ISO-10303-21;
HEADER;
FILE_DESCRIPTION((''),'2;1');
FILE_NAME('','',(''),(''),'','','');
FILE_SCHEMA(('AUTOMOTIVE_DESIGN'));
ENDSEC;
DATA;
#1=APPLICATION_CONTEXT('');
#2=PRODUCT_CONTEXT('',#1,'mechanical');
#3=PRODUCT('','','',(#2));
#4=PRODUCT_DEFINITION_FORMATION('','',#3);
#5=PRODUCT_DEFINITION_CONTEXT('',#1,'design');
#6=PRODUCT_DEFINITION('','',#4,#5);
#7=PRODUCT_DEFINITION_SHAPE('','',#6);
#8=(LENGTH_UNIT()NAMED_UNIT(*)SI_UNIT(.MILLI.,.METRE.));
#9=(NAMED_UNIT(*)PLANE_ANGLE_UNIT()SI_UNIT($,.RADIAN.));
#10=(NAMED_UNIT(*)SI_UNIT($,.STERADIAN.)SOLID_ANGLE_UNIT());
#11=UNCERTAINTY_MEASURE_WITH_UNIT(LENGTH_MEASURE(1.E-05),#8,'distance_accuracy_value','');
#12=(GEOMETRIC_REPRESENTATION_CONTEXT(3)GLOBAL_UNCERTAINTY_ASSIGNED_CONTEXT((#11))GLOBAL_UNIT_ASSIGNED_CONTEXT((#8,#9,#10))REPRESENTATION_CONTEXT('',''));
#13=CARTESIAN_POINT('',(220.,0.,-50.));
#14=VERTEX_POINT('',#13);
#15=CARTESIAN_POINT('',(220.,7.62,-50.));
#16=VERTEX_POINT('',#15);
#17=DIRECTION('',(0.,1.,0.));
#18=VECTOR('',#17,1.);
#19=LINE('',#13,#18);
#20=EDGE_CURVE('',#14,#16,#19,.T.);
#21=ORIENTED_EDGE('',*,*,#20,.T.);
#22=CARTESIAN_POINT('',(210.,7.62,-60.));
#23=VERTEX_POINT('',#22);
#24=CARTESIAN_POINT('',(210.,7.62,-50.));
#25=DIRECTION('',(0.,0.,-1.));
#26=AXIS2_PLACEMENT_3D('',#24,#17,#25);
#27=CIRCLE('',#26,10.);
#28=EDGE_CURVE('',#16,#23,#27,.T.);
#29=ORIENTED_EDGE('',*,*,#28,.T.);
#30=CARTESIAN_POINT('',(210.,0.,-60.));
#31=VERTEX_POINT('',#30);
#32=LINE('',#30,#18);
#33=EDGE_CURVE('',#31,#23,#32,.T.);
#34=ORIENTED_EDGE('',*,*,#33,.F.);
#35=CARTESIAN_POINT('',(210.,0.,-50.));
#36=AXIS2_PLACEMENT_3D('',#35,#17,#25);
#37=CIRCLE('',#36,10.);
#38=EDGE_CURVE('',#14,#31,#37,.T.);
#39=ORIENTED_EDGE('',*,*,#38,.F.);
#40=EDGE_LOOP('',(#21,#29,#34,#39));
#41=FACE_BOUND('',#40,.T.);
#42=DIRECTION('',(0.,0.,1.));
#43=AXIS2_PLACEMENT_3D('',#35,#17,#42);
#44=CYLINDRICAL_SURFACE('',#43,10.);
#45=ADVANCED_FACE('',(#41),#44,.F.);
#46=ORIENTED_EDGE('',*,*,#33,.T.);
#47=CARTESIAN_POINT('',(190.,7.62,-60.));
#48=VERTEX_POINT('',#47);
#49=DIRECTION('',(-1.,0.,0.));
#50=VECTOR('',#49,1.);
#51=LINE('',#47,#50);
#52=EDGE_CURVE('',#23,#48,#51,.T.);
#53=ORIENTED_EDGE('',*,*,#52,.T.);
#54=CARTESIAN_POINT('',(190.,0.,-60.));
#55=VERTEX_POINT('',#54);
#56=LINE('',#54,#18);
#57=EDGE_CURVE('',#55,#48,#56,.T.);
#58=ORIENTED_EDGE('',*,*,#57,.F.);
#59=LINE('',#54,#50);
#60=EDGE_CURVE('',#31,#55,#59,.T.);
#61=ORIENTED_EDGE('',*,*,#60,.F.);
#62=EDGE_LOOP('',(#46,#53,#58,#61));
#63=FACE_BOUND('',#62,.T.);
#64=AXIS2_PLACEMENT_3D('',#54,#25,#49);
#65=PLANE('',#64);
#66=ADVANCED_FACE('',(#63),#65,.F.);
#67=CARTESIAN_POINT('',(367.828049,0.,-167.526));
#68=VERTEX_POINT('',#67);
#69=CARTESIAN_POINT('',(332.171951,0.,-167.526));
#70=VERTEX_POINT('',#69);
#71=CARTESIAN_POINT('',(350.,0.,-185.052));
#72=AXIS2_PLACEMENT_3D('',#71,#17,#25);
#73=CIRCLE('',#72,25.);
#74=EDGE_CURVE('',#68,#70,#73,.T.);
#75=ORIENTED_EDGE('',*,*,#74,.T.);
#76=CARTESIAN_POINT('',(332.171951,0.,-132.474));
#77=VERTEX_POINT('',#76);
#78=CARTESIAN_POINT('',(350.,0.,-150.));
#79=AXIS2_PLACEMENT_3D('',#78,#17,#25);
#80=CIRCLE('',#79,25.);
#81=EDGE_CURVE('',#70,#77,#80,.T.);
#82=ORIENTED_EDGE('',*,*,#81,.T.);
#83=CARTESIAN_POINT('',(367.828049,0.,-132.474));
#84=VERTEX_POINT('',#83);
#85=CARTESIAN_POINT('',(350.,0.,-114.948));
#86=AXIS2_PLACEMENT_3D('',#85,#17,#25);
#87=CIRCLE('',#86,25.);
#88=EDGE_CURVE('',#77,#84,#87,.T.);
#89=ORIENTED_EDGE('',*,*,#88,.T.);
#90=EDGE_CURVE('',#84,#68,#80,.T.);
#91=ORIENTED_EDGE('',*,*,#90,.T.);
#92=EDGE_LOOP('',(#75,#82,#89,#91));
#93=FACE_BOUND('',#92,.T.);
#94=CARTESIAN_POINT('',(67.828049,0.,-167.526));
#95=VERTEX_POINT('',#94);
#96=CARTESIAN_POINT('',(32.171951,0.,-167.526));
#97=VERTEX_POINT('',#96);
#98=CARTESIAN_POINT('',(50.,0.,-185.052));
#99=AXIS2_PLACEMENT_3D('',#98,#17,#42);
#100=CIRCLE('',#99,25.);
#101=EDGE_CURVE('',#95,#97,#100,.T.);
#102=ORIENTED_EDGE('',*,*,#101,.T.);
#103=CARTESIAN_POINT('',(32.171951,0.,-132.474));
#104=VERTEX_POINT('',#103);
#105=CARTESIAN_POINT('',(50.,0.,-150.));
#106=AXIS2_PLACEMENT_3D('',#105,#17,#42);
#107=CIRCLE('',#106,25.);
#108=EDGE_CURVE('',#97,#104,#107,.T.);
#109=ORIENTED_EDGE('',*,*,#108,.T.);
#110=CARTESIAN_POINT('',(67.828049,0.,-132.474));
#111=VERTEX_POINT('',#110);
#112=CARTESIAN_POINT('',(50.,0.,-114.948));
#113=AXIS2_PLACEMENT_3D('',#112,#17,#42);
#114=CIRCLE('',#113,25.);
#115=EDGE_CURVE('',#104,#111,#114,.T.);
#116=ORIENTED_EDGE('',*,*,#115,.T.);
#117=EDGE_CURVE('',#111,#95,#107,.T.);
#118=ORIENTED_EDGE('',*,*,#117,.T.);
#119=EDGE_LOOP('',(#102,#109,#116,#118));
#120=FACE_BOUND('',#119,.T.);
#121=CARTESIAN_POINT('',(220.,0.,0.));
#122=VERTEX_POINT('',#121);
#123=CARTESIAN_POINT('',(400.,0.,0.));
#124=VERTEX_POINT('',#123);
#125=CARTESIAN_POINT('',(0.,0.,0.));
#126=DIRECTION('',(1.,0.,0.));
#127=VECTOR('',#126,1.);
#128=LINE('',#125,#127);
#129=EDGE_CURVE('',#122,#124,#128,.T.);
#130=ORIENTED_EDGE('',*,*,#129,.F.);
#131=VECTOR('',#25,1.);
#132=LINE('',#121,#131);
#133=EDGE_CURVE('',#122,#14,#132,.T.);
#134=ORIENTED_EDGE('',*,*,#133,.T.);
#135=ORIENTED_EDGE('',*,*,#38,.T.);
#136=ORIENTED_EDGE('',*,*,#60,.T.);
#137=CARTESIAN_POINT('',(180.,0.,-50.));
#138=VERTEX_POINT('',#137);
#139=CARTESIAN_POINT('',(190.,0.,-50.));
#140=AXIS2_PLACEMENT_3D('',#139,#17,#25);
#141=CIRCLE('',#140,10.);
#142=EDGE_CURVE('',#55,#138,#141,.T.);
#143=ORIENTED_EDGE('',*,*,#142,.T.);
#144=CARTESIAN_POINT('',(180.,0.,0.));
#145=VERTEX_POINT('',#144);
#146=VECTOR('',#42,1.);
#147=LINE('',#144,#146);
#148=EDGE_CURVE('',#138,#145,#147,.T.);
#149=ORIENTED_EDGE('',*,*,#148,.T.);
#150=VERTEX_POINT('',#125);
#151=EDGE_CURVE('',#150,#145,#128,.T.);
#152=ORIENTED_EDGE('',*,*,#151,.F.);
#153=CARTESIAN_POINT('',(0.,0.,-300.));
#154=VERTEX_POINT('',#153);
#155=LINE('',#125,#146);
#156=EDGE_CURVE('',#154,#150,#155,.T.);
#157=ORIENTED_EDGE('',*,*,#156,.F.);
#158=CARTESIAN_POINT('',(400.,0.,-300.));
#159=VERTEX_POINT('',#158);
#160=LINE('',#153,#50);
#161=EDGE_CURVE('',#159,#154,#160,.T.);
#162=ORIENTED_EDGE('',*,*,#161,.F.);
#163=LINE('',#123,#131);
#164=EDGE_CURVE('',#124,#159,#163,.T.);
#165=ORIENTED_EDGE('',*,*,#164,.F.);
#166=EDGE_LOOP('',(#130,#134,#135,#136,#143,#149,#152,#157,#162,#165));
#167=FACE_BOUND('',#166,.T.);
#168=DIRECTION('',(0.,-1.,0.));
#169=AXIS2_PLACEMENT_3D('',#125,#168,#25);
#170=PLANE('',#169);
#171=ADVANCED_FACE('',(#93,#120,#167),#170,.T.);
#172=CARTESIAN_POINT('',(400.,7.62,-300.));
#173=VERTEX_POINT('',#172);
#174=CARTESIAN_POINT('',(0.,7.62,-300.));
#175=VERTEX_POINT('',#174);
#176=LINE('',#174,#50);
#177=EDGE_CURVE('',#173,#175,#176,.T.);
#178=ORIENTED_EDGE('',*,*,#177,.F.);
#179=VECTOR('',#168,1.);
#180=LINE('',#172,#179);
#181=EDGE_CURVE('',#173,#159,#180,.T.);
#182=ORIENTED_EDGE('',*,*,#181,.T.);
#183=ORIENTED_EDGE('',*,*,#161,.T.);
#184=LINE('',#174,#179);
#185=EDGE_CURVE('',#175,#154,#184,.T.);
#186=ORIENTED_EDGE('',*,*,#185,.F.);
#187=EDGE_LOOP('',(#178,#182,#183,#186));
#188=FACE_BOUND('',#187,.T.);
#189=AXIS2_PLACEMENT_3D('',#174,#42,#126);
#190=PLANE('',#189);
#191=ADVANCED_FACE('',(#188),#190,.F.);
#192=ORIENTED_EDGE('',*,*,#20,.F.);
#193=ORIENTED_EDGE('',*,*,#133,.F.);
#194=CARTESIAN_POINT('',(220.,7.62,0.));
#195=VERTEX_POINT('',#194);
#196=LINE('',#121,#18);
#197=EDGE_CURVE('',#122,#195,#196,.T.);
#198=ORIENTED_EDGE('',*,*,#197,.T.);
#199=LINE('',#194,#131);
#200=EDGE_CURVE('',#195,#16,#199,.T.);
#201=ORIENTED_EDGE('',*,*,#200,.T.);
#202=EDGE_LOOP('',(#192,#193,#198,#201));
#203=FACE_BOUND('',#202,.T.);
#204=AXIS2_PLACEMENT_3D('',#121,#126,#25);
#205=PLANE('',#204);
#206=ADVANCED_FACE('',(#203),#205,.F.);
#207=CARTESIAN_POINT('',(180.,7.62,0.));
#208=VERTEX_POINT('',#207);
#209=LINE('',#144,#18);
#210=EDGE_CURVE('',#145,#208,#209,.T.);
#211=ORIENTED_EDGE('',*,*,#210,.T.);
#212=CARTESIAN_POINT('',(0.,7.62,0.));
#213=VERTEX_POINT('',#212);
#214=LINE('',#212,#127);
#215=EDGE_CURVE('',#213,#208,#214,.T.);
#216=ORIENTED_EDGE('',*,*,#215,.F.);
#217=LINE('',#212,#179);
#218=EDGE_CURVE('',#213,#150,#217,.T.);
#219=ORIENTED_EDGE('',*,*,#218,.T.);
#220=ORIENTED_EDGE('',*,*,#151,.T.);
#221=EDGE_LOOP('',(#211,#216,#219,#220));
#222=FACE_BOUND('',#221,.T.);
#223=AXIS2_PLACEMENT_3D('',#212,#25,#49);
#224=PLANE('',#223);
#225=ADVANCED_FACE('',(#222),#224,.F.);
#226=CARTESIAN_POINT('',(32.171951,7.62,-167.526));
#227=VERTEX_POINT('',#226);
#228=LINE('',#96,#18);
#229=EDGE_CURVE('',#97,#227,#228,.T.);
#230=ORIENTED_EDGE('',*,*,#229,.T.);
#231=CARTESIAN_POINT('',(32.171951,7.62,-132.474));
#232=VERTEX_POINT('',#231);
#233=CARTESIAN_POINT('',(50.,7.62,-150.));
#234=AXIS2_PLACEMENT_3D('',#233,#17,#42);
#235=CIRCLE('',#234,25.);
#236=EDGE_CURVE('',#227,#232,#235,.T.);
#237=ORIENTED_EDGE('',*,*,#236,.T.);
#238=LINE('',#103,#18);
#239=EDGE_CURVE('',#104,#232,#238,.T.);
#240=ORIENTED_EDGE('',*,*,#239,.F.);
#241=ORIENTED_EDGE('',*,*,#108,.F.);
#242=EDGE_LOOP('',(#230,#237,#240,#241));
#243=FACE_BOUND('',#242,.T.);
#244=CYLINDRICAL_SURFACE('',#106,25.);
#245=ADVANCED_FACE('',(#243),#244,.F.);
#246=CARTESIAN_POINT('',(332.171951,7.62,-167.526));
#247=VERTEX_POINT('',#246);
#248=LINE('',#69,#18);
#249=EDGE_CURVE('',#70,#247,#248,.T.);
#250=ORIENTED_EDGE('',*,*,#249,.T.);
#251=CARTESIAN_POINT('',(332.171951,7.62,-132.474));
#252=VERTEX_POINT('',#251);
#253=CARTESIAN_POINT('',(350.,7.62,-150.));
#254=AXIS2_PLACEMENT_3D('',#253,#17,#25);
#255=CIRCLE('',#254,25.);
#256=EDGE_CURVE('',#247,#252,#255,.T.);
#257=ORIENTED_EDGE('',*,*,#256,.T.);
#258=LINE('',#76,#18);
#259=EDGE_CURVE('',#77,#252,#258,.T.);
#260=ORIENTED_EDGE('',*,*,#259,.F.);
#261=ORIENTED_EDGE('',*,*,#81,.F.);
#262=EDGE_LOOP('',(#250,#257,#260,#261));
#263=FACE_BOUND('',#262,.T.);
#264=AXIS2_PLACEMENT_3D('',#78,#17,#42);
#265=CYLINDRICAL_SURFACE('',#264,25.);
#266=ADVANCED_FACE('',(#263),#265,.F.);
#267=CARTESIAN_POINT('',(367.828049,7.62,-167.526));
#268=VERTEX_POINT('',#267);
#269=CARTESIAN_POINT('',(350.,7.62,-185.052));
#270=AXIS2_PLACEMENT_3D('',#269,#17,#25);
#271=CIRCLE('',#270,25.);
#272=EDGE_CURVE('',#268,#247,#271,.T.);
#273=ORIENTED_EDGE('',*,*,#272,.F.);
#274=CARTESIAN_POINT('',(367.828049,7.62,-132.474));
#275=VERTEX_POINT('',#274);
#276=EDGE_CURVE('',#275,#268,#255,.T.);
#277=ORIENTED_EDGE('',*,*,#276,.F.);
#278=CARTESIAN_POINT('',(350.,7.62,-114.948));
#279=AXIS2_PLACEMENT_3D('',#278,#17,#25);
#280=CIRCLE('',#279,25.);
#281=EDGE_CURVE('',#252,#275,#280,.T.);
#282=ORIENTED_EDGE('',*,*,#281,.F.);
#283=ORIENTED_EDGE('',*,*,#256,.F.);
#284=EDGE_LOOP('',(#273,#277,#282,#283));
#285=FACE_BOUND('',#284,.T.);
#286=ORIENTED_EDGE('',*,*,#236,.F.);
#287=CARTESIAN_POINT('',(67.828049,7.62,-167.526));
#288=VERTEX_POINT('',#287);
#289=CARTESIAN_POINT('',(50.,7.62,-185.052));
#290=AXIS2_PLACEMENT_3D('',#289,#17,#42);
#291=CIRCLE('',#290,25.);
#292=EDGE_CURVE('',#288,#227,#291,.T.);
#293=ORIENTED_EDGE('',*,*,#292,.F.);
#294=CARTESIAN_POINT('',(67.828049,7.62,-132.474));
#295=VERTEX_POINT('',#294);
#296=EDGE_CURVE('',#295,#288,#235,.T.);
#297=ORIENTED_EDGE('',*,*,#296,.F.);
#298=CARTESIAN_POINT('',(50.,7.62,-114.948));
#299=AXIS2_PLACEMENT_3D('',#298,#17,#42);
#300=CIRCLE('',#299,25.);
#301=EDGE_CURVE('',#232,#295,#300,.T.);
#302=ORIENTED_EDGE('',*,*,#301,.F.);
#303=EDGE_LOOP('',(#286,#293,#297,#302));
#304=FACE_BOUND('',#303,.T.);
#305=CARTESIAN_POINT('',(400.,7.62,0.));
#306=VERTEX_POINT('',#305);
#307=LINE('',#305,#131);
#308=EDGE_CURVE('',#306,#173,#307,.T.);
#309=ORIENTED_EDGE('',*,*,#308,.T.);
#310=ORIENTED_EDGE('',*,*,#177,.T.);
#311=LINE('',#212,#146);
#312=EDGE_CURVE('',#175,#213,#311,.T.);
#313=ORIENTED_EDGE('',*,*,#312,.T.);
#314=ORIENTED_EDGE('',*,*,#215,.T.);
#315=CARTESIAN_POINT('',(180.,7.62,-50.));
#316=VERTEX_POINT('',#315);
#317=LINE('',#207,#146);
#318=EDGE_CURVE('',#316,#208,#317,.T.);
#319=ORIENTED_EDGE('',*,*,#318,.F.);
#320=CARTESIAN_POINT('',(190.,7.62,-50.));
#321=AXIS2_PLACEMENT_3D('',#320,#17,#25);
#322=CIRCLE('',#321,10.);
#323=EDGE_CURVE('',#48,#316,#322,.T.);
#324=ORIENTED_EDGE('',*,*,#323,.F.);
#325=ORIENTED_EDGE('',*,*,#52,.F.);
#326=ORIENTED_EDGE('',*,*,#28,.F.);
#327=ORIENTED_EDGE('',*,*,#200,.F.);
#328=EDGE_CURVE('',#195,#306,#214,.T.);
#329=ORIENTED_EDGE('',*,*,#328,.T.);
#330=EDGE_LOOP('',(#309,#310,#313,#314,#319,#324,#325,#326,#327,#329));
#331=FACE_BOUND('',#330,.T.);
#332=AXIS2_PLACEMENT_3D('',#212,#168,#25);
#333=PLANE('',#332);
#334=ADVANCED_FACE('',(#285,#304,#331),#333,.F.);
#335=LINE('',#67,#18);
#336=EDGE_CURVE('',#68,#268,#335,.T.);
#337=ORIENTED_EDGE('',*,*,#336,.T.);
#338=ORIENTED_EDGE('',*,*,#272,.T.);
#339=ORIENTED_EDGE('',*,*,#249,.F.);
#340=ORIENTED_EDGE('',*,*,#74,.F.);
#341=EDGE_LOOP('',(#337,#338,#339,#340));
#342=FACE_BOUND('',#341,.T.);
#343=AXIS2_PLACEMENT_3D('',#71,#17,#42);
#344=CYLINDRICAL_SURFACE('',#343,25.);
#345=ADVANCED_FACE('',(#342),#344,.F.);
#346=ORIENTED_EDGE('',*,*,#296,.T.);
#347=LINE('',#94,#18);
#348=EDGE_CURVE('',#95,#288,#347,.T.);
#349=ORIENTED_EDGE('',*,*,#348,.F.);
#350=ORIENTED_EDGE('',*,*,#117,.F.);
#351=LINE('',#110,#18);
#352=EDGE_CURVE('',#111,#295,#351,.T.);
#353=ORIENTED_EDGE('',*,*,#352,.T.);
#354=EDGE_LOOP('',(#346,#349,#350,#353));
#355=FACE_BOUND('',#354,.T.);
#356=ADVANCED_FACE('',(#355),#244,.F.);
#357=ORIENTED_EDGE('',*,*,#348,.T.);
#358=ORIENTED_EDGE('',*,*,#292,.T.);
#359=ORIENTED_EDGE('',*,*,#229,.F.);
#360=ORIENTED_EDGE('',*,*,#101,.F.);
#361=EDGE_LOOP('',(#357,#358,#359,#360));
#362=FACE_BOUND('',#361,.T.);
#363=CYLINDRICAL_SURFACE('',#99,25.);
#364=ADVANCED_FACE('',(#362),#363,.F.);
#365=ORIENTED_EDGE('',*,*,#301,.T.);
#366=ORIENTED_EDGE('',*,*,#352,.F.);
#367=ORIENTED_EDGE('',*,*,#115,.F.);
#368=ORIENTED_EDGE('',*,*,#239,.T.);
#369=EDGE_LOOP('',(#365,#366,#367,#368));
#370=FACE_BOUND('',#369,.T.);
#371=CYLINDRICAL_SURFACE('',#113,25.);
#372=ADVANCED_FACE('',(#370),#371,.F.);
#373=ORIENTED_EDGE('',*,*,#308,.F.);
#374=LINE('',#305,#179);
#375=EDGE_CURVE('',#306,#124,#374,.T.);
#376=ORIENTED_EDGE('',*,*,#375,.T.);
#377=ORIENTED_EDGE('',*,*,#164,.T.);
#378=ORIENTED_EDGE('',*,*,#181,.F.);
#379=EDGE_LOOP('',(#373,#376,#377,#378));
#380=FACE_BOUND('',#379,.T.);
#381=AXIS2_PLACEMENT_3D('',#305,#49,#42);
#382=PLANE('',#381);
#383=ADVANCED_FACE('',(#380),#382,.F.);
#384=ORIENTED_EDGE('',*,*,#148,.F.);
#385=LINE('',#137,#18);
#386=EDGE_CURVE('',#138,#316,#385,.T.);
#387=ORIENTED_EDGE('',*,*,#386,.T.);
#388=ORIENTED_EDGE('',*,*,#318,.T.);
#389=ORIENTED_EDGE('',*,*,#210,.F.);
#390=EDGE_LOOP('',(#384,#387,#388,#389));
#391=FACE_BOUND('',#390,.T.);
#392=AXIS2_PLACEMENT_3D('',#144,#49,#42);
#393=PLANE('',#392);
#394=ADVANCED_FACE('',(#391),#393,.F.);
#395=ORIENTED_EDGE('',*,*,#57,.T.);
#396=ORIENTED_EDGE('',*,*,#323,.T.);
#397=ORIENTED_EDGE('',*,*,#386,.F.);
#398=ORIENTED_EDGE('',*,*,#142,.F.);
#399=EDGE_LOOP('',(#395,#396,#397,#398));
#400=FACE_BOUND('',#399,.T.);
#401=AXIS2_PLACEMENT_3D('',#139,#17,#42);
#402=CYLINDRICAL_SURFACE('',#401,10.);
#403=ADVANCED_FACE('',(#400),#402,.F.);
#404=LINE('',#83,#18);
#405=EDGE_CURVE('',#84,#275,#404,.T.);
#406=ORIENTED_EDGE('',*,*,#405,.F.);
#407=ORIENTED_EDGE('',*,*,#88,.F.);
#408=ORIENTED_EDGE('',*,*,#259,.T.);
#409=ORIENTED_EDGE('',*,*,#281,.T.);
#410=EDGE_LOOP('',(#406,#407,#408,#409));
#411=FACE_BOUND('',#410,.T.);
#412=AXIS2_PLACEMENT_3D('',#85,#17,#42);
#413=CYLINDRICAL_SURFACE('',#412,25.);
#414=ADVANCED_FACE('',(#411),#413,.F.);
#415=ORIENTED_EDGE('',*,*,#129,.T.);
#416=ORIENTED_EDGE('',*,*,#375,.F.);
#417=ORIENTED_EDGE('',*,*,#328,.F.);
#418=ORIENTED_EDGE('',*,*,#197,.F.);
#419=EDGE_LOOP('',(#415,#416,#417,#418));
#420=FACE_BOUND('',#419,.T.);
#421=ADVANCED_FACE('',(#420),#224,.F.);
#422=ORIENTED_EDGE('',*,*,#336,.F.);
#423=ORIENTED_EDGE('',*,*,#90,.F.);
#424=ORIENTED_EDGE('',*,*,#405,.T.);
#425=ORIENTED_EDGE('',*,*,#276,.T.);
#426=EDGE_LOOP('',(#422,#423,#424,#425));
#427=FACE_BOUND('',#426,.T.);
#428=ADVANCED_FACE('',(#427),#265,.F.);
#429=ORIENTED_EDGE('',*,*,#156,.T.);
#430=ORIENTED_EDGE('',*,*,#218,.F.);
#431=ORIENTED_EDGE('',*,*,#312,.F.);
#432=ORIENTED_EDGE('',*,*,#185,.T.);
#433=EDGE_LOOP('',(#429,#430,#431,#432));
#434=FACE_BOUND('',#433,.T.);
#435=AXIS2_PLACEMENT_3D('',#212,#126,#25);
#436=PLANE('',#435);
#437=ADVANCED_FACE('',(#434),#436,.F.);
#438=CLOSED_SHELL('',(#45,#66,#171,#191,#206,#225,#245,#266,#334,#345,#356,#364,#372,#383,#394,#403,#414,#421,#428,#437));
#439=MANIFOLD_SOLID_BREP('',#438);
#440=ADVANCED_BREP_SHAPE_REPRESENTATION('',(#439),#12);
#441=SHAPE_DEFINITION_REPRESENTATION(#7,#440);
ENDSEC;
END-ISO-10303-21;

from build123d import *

# Parameters (mm, degrees)
SKETCH1_W           = 400
SKETCH1_H           = 300
BOSS_EXTRUDE1_DEPTH = 7.62
CUT_EXTRUDE1_DEPTH  = 7.62
CUT_EXTRUDE2_DEPTH  = 7.62


with BuildPart() as part:
    # Sketch1 → Boss-Extrude1 (new body)
    with BuildSketch(Plane(origin=(0, 0, 0), x_dir=(1, 0, 0), z_dir=(0, 1, 0))):
        with Locations((200, 150)):
            Rectangle(SKETCH1_W, SKETCH1_H)
    extrude(amount=BOSS_EXTRUDE1_DEPTH)

    # Sketch2 → Cut-Extrude1 (cut)
    with BuildSketch(Plane(origin=(0, 7.62, 0), x_dir=(1, 0, 0), z_dir=(0, 1, 0))):
        with BuildLine():
            ThreePointArc((32.1719512, 167.526), (25, 150), (32.1719512, 132.474))
            ThreePointArc((32.1719512, 132.474), (50, 89.948), (67.8280488, 132.474))
            ThreePointArc((67.8280488, 132.474), (75, 150), (67.8280488, 167.526))
            ThreePointArc((67.8280488, 167.526), (50, 210.052), (32.1719512, 167.526))
        make_face()
        with BuildLine():
            ThreePointArc((367.8280488, 167.526), (375, 150), (367.8280488, 132.474))
            ThreePointArc((367.8280488, 132.474), (350, 89.948), (332.1719512, 132.474))
            ThreePointArc((332.1719512, 132.474), (325, 150), (332.1719512, 167.526))
            ThreePointArc((332.1719512, 167.526), (350, 210.052), (367.8280488, 167.526))
        make_face()
    extrude(amount=-CUT_EXTRUDE1_DEPTH, mode=Mode.SUBTRACT)

    # Sketch3 → Cut-Extrude2 (cut)
    with BuildSketch(Plane(origin=(0, 7.62, 0), x_dir=(1, 0, 0), z_dir=(0, 1, 0))):
        with BuildLine():
            Line((180, 0), (220, 0))
            Line((220, 0), (220, 50))
            ThreePointArc((220, 50), (217.071067812, 57.071067812), (210, 60))
            Line((210, 60), (190, 60))
            ThreePointArc((190, 60), (182.928932188, 57.071067812), (180, 50))
            Line((180, 50), (180, 0))
        make_face()
    extrude(amount=-CUT_EXTRUDE2_DEPTH, mode=Mode.SUBTRACT)


solid = part.part
